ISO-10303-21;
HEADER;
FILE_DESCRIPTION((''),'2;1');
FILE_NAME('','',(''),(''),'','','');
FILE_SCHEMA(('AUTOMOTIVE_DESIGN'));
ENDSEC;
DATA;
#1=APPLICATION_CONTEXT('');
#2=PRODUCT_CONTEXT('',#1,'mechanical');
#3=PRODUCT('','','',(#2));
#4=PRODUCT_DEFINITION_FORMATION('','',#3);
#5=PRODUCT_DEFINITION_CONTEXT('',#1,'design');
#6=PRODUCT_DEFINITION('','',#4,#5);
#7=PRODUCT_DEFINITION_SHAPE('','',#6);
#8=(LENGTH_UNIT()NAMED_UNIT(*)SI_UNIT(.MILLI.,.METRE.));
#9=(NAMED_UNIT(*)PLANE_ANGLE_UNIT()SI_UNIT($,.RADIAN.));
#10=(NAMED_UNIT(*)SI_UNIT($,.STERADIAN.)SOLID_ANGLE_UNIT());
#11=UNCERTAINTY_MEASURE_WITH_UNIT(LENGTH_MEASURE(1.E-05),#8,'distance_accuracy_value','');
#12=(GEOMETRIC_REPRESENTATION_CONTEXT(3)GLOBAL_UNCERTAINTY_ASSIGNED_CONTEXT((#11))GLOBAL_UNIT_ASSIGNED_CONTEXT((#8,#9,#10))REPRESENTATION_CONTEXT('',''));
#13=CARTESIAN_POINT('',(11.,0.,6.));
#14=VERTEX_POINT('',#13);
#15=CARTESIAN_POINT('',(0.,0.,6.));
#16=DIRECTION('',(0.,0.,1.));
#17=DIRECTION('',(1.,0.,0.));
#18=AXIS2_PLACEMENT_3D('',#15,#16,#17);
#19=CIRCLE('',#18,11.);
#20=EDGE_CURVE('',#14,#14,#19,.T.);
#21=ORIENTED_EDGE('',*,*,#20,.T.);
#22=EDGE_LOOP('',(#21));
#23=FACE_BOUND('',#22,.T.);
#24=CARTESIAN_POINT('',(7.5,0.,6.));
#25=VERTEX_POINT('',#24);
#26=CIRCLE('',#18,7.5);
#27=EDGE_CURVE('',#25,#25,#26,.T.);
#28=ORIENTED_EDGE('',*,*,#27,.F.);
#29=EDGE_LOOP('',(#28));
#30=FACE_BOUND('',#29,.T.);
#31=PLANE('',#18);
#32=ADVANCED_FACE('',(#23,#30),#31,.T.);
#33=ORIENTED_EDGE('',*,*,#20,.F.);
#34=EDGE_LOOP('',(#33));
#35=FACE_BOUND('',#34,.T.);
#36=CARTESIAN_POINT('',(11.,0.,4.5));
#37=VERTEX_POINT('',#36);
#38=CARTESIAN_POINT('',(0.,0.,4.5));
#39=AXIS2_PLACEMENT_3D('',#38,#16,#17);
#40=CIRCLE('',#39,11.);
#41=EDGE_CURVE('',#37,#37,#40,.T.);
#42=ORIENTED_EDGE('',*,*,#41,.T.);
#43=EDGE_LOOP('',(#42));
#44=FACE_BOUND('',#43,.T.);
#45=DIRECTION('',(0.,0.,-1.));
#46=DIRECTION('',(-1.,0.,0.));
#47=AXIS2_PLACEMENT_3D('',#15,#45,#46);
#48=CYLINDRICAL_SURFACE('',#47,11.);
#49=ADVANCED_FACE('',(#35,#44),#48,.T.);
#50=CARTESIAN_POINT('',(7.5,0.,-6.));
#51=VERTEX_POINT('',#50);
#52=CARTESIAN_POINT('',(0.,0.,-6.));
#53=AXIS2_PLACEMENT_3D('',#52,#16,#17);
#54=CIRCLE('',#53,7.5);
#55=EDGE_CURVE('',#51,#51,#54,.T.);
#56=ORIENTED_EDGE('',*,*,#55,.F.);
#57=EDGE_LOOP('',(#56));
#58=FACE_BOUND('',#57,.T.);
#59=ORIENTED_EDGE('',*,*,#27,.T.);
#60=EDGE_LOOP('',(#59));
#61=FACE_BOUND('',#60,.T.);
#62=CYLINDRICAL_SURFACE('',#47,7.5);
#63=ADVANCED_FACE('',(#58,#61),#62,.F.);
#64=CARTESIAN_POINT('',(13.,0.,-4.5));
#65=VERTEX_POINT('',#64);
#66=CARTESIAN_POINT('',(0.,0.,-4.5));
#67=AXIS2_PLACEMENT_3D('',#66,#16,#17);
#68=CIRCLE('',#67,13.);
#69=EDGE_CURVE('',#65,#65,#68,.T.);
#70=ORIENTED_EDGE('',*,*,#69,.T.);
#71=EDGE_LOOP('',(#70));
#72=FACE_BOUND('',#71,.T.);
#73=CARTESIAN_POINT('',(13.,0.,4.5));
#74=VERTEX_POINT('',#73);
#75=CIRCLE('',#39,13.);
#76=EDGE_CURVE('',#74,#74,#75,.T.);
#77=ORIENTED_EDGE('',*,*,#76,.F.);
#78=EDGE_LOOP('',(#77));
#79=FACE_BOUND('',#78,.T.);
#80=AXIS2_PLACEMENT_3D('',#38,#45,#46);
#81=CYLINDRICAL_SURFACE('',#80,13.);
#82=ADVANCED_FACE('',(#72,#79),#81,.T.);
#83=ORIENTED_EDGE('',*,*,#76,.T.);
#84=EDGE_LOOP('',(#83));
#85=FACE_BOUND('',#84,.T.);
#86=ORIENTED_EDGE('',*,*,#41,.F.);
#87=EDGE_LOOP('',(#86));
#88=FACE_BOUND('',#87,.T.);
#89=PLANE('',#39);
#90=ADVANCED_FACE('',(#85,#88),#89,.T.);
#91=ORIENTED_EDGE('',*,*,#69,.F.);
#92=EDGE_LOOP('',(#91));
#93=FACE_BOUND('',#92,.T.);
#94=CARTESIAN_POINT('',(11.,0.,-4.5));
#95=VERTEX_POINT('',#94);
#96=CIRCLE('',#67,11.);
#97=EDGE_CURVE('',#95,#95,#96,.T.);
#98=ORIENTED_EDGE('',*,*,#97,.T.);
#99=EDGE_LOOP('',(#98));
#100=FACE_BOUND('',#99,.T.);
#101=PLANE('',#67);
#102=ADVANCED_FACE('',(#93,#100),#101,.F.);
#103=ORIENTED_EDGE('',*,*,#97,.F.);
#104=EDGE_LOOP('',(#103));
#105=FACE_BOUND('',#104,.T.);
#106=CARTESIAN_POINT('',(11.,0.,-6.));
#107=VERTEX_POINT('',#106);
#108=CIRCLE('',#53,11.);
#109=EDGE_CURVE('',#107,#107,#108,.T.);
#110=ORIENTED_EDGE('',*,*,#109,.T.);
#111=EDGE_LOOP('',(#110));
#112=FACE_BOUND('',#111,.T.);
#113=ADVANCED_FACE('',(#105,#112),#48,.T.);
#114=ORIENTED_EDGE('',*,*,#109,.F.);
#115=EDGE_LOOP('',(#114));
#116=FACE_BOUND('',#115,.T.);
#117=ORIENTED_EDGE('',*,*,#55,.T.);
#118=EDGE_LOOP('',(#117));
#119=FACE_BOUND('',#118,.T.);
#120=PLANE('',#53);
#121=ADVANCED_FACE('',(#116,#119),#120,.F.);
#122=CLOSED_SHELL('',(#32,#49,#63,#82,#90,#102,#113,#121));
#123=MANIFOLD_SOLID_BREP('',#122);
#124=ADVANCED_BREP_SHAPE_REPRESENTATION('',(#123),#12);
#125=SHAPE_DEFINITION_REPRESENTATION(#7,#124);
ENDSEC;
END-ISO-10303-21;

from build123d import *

# Parameters (mm, degrees)
SKETCH1_R           = 11
SKETCH1_R_2         = 7.5
BOSS_EXTRUDE1_DEPTH = 6
SKETCH2_R           = 13
SKETCH2_R_2         = 7.5
BOSS_EXTRUDE2_DEPTH = 4.5


with BuildPart() as part:
    # Sketch1 → Boss-Extrude1 (new, symmetric)
    with BuildSketch(Plane.XY):
        Circle(SKETCH1_R)
        Circle(SKETCH1_R_2, mode=Mode.SUBTRACT)
    extrude(amount=BOSS_EXTRUDE1_DEPTH, both=True)

    # Sketch2 → Boss-Extrude2 (add, symmetric)
    with BuildSketch(Plane.XY):
        Circle(SKETCH2_R)
        Circle(SKETCH2_R_2, mode=Mode.SUBTRACT)
    extrude(amount=BOSS_EXTRUDE2_DEPTH, both=True)


solid = part.part
